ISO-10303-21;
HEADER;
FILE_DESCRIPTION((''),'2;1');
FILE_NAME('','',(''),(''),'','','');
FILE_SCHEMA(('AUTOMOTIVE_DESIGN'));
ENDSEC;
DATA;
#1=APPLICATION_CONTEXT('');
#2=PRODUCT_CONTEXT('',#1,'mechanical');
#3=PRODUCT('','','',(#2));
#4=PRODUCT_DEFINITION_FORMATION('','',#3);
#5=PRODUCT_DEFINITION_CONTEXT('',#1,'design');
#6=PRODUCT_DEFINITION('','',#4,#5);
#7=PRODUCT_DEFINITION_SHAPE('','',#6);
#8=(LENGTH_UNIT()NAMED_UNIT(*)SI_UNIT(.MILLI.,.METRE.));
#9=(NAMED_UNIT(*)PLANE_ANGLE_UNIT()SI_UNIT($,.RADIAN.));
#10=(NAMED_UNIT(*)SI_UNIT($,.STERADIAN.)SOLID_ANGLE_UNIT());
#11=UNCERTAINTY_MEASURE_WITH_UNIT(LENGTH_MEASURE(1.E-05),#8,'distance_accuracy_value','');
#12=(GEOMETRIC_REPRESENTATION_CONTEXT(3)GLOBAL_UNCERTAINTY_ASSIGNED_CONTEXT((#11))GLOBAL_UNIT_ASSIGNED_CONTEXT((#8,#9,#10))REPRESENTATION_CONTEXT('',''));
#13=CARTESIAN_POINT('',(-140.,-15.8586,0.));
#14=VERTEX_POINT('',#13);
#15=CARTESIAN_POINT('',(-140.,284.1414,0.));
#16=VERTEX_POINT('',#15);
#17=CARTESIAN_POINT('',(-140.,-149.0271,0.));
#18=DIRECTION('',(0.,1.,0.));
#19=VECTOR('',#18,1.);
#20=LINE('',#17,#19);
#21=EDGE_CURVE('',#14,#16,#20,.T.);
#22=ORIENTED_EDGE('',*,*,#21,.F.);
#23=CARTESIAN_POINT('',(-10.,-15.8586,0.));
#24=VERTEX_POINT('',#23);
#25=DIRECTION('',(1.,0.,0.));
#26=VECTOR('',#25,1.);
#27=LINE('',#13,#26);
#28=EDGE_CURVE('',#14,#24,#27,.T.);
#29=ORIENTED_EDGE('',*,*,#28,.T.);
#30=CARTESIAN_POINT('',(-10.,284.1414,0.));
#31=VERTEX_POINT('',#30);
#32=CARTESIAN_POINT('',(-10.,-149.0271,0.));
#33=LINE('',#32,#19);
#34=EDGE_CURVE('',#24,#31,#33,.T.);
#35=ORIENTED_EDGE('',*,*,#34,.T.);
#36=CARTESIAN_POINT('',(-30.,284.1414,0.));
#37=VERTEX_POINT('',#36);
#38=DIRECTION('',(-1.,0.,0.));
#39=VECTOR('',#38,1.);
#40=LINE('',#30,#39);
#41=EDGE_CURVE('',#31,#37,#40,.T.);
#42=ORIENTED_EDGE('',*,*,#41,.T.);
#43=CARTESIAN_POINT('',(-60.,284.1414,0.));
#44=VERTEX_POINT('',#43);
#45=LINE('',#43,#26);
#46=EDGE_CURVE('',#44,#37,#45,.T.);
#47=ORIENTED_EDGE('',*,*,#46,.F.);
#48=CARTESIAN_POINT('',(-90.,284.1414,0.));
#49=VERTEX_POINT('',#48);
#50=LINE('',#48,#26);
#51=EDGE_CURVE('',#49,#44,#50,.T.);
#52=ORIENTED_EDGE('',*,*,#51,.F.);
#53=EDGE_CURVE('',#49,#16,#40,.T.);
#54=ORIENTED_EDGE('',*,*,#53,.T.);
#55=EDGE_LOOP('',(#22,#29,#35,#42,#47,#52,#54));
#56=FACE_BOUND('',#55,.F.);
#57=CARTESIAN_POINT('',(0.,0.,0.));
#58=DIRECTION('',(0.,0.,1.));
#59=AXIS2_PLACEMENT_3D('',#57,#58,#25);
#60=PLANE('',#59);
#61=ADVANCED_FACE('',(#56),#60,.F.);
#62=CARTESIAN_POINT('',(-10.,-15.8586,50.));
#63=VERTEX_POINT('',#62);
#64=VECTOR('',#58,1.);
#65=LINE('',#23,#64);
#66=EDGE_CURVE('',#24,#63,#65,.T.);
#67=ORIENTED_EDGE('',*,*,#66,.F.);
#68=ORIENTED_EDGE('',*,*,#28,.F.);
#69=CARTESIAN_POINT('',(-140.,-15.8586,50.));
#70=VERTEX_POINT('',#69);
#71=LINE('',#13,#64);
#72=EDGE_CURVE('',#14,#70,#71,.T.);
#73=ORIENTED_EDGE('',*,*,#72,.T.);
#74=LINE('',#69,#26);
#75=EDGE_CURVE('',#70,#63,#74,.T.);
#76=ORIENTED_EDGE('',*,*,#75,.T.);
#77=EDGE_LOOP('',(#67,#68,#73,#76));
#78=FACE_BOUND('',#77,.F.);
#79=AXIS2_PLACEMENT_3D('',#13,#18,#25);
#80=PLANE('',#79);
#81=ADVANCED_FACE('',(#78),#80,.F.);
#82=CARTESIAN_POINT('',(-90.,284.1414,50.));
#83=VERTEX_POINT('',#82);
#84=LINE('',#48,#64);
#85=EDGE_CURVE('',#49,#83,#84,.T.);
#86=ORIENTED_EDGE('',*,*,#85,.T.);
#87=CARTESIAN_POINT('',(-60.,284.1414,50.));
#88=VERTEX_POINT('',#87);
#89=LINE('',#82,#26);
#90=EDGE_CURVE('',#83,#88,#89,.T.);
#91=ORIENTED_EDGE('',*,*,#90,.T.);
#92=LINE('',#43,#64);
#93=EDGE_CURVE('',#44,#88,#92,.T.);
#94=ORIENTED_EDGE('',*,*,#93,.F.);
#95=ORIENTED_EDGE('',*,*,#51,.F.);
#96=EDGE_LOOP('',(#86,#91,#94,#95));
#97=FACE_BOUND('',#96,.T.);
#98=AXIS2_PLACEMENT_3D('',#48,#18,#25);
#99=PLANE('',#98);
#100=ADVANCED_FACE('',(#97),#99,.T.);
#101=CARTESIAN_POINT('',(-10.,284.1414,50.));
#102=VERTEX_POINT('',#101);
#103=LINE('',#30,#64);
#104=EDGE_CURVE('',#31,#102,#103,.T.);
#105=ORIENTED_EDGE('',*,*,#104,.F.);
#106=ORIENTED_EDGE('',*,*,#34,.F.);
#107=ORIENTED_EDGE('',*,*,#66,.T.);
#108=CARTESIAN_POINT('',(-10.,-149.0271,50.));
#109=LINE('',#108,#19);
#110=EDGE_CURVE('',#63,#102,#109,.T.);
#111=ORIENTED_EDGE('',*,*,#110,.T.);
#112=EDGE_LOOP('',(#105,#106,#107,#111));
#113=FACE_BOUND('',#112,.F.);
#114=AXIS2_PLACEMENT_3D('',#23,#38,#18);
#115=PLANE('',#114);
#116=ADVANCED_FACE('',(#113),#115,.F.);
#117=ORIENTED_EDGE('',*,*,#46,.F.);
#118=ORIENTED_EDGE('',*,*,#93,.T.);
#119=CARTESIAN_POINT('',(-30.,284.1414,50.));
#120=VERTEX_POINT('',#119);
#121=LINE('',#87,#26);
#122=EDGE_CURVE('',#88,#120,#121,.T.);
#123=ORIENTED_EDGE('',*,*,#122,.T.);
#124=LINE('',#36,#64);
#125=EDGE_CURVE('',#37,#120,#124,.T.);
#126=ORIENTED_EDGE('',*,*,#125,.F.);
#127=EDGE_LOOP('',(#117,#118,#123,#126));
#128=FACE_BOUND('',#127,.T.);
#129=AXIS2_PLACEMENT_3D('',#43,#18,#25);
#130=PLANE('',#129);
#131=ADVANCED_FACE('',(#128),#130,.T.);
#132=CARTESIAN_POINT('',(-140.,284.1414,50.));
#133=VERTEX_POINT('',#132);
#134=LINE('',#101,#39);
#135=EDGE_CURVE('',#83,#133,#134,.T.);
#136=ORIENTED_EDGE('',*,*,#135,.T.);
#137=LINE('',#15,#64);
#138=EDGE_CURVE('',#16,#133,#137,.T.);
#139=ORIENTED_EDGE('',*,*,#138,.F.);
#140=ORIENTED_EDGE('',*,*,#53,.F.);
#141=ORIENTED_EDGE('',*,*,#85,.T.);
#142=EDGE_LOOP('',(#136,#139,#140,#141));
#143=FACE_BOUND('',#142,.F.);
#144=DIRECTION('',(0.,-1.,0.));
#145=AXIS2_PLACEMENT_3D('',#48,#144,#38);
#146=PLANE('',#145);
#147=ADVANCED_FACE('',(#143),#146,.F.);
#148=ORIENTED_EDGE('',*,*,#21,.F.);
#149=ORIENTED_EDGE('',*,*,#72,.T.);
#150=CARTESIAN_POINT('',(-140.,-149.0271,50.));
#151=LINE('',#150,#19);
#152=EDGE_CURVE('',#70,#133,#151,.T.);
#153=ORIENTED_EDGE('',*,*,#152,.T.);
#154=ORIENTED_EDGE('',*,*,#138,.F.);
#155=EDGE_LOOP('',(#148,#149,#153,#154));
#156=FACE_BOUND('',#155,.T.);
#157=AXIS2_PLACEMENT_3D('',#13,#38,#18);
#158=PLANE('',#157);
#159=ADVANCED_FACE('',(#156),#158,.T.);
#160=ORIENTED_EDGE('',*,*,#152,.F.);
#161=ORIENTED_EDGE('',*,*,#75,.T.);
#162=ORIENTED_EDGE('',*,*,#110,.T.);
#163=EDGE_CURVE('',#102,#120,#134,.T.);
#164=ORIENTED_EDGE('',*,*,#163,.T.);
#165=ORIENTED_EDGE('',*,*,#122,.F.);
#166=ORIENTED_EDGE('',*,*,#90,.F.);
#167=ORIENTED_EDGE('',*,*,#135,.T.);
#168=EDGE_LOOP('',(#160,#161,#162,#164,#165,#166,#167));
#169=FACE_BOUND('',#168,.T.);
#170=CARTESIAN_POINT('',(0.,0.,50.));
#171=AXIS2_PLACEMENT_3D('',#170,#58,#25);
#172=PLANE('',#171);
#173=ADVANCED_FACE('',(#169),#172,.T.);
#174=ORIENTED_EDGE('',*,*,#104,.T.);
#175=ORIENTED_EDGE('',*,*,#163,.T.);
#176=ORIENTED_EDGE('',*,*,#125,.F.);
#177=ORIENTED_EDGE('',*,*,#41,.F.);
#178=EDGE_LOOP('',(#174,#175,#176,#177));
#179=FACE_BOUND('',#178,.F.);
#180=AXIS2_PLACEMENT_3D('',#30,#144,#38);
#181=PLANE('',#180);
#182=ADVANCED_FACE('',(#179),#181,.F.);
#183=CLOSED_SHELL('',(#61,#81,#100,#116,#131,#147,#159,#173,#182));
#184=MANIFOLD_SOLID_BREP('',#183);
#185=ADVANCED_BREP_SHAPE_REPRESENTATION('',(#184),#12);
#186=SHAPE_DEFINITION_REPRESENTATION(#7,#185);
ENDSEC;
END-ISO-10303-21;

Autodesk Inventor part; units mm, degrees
ref_plane "YZ Plane" through (0, 0, 0) normal (1, 0, 0) x (0, 1, 0)
ref_plane "XZ Plane" through (0, 0, 0) normal (0, 1, 0) x (-1, 0, 0)
ref_plane "XY Plane" through (0, 0, 0) normal (0, 0, 1) x (1, 0, 0)
ref_plane "Work Plane1" through (0, 0, 0) normal (0, 0, 1) x (1, 0, 0)
sketch "Sketch1" plane through (0, 0, 0) normal (0, 0, 1) x (1, 0, 0)
  line L0 (-90, 284.1414) -> (-60, 284.1414) projected
  line L1 (-60, 284.1414) -> (-60, 404.1414) projected
  line L2 (-60, 404.1414) -> (-90, 404.1414) projected
  line L3 (-90, 404.1414) -> (-90, 284.1414) projected
  line L4 (-30, 414.1414) -> (-60, 414.1414) projected
  line L5 (-60, 414.1414) -> (-60, 284.1414) projected
  line L6 (-60, 284.1414) -> (-30, 284.1414) projected
  line L7 (-30, 284.1414) -> (-30, 414.1414) projected
  line L8 (-10, -149.0271) -> (-140, -149.0271) projected
  line L9 (-10, -149.0271) -> (-10, 350) projected
  spline S0 degree 3 poles (-55.3463, 478.2829) (-54.4199, 477.2402) (-53.5281, 476.1834) (-41.973, 461.9491) (-29.8681, 440.3891) (-13.701, 393.2059) (-10, 371.2252) (-10, 350) knots -13.956375 -13.956375 -13.956375 -13.956375 -13.398469 -13.398469 -6.367551 -6.367551 0 0 0 0 projected
  line L10 (-55.3463, 478.2829) -> (-94.6537, 478.2829) projected
  spline S1 degree 3 poles (-140, 350) (-140, 366.1219) (-137.8703, 382.0269) (-130.4211, 411.7266) (-125.3688, 425.7323) (-111.9139, 454.5302) (-103.4651, 468.0052) (-95.3677, 477.4713) (-95.011, 477.8807) (-94.6537, 478.2829) knots -5.300276 -5.300276 -5.300276 -5.300276 -3.93351 -3.93351 -2.695997 -2.695997 -1.209053 -1.209053 -1.140685 -1.140685 -1.140685 -1.140685 projected
  line L11 (-140, -149.0271) -> (-140, 350) projected
  line L12 (-10, 284.1414) -> (-140, 284.1414)
  line L13 (-140, 284.1414) -> (-140, -15.8586)
  line L14 (-140, -15.8586) -> (-10, -15.8586)
  line L15 (-10, -15.8586) -> (-10, 284.1414)
  point P0 (0, 0)
  point P1 (-10, -15.8586)
  dimension "d0" = 130
  dimension "d1" = 300
extrude "Extrusion1" add sketch "Sketch1" along normal blind 50 contours L0 L6 L12 L9 L14 L11
properties part number "Battery1"
